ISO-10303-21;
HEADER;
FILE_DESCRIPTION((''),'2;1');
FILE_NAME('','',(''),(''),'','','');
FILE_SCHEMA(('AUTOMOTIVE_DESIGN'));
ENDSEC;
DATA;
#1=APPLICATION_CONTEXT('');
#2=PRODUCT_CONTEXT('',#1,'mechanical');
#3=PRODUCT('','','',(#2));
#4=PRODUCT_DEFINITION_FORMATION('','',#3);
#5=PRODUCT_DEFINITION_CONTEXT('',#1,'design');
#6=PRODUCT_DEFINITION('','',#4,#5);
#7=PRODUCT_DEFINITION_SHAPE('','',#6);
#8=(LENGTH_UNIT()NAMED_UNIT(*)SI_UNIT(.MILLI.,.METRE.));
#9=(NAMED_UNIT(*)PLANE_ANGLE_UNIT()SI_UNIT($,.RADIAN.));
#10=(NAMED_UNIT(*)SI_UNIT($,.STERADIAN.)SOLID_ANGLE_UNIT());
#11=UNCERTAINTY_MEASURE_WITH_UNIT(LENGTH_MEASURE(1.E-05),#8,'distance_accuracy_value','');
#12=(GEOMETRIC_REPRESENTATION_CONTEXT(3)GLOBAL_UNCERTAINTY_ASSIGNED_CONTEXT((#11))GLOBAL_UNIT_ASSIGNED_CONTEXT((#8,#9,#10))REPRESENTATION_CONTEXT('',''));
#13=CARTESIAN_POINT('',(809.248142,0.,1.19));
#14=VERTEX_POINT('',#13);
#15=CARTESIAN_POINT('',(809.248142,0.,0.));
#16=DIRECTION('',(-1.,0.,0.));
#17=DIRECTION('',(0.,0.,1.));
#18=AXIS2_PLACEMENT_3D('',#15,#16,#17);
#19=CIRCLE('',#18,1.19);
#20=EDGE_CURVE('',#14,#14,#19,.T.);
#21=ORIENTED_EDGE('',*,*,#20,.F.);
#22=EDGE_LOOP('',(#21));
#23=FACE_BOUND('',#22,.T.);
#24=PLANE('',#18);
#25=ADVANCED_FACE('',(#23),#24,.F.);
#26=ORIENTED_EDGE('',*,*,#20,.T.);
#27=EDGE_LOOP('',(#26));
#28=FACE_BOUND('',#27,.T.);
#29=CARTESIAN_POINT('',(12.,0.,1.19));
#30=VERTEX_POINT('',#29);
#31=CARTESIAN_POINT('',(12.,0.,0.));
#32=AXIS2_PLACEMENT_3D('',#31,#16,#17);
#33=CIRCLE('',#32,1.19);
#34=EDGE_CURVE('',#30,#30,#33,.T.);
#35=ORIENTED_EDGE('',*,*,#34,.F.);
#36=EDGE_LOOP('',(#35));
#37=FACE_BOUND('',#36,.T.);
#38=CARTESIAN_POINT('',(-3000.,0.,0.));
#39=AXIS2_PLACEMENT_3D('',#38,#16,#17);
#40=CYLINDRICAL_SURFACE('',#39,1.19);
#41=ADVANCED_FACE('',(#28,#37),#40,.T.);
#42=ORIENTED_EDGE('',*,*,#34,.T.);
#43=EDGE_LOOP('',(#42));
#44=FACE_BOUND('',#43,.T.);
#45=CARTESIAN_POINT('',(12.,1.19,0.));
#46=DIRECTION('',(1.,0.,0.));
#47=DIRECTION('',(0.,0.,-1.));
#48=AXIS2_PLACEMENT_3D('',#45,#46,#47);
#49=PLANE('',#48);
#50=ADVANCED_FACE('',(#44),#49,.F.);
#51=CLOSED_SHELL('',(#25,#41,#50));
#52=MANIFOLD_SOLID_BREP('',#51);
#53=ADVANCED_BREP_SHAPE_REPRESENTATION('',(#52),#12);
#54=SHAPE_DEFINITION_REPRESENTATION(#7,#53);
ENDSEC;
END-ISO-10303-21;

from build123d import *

# Parameters (mm, degrees)
CABLE_SKETCH_W = 797.248142171
CABLE_SKETCH_H = 1.19


with BuildPart() as part:
    # Cable Sketch → Cable (revolve)
    with BuildSketch(Plane.XY):
        with Locations((410.624071086, 0.595)):
            Rectangle(CABLE_SKETCH_W, CABLE_SKETCH_H)
    revolve(axis=Axis((-3000, 0, 0), (1, 0, 0)))


solid = part.part
